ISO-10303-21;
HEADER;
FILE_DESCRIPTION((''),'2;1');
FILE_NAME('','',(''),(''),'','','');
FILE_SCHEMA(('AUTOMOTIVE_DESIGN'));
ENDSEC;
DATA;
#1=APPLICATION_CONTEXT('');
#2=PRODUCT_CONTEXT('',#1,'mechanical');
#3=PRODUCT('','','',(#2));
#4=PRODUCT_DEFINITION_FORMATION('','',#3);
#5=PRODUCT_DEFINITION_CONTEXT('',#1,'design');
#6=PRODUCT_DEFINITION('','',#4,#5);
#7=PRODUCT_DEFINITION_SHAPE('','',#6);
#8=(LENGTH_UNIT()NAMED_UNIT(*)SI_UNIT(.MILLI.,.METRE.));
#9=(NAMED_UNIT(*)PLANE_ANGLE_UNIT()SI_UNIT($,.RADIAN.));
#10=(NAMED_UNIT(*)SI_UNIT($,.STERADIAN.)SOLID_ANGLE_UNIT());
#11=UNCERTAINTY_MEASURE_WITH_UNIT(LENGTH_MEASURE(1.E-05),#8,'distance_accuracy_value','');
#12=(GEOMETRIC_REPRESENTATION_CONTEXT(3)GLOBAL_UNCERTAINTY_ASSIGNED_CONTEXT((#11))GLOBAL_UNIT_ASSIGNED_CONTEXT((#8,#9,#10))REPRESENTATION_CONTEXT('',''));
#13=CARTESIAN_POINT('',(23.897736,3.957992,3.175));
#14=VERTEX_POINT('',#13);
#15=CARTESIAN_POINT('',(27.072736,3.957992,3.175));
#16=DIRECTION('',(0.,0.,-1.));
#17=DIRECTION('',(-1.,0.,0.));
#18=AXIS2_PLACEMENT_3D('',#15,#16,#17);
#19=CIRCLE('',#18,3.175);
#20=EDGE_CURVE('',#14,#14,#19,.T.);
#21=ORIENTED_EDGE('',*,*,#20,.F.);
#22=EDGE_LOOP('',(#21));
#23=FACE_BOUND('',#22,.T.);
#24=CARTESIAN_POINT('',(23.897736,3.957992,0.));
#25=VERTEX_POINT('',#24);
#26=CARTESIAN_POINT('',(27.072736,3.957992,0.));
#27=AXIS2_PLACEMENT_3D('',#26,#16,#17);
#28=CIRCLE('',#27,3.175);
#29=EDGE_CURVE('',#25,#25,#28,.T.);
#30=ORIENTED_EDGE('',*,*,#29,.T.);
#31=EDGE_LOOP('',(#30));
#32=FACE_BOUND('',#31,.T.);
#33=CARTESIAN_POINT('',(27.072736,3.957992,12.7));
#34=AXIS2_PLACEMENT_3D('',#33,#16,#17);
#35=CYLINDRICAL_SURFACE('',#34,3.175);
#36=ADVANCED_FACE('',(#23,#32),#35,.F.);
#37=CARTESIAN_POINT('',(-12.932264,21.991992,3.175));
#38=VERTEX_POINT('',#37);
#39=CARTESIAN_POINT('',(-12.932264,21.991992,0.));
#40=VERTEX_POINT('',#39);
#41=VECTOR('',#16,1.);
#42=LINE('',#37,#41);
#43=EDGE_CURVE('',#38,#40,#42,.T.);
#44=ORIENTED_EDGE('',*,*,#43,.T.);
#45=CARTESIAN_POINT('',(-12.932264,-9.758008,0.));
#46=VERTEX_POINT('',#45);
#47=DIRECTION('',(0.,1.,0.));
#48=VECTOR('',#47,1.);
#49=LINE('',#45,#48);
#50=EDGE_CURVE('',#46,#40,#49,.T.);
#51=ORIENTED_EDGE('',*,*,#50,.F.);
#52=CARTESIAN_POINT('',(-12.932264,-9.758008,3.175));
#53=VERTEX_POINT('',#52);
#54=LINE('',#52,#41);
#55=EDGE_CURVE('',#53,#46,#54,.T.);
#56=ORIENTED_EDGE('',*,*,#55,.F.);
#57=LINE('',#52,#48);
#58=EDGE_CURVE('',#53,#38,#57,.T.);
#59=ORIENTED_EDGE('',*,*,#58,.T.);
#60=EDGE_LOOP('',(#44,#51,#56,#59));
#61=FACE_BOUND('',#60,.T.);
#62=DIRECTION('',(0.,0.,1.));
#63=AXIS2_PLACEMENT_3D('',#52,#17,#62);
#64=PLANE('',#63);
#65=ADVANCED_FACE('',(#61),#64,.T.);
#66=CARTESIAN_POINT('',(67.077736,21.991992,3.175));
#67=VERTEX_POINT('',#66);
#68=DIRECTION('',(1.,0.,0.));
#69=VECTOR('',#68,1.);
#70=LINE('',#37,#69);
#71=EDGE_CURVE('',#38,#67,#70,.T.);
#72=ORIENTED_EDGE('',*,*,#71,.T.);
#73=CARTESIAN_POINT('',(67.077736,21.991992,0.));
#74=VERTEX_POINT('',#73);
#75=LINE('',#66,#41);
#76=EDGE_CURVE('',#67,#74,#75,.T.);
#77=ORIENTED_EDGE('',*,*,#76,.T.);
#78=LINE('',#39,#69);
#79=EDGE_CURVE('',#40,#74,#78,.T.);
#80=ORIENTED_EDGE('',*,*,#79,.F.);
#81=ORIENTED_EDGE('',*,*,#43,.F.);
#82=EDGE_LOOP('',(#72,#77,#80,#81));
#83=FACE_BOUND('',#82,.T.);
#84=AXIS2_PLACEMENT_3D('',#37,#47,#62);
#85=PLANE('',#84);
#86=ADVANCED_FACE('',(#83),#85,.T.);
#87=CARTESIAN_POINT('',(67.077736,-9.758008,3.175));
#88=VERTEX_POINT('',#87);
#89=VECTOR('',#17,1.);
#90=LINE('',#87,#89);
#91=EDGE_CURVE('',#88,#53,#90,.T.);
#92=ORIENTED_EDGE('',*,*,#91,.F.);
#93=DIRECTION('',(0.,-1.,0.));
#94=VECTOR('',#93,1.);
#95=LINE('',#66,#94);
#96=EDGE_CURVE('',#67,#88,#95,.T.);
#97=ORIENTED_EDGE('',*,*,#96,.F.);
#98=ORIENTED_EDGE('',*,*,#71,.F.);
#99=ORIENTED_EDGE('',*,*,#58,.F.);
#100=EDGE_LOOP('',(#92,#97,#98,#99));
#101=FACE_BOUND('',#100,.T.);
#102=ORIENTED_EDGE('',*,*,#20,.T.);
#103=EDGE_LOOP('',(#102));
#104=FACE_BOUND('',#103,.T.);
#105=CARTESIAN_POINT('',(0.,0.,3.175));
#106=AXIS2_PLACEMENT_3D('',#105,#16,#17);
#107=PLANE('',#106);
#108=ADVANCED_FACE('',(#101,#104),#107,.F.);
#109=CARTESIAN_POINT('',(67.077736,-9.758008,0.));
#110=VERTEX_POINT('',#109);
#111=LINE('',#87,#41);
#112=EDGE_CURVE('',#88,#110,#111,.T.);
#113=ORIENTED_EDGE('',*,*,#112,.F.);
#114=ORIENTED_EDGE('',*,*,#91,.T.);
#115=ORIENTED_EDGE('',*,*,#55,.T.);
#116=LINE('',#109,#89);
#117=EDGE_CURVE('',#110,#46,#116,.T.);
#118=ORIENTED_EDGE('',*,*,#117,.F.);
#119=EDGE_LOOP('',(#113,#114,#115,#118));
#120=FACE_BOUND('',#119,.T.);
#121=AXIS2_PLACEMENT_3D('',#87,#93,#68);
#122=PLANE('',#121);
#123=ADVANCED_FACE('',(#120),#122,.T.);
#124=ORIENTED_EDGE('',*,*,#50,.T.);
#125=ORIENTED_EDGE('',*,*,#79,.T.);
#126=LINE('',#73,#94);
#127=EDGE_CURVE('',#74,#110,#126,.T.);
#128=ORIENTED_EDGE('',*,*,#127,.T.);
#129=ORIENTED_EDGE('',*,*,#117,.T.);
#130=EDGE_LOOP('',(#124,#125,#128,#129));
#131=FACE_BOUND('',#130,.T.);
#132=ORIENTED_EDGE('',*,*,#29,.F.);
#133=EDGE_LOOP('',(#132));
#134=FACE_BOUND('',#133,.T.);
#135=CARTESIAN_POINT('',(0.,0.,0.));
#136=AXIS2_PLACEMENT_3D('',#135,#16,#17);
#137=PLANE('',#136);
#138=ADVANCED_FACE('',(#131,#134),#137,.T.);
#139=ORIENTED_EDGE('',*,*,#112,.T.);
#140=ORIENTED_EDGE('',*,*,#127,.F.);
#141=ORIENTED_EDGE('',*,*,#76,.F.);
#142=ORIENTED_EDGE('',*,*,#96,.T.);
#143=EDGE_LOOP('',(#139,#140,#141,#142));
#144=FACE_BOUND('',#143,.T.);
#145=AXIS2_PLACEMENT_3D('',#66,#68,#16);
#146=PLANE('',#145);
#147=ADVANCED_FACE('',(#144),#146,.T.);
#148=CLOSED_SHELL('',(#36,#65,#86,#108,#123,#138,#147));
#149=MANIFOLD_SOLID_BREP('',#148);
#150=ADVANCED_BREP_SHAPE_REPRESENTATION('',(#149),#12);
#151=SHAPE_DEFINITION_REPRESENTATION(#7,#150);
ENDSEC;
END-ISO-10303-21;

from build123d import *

# Parameters (mm, degrees)
SKETCH4_W           = 80.01
SKETCH4_H           = 31.75
BOSS_EXTRUDE1_DEPTH = 3.175
SKETCH5_R           = 3.175
CUT_EXTRUDE1_DEPTH  = 12.7


with BuildPart() as part:
    # Sketch4 → Boss-Extrude1 (new body)
    with BuildSketch(Plane.XY):
        with Locations((27.072735574, 6.116991948)):
            Rectangle(SKETCH4_W, SKETCH4_H)
    extrude(amount=BOSS_EXTRUDE1_DEPTH)

    # Sketch5 → Cut-Extrude1 (cut)
    with BuildSketch(Plane(origin=(0, 0, 0), x_dir=(-1, 0, 0), z_dir=(0, 0, -1))):
        with Locations((-27.072735574, 3.957991948)):
            Circle(SKETCH5_R)
    extrude(amount=-CUT_EXTRUDE1_DEPTH, mode=Mode.SUBTRACT)


solid = part.part
